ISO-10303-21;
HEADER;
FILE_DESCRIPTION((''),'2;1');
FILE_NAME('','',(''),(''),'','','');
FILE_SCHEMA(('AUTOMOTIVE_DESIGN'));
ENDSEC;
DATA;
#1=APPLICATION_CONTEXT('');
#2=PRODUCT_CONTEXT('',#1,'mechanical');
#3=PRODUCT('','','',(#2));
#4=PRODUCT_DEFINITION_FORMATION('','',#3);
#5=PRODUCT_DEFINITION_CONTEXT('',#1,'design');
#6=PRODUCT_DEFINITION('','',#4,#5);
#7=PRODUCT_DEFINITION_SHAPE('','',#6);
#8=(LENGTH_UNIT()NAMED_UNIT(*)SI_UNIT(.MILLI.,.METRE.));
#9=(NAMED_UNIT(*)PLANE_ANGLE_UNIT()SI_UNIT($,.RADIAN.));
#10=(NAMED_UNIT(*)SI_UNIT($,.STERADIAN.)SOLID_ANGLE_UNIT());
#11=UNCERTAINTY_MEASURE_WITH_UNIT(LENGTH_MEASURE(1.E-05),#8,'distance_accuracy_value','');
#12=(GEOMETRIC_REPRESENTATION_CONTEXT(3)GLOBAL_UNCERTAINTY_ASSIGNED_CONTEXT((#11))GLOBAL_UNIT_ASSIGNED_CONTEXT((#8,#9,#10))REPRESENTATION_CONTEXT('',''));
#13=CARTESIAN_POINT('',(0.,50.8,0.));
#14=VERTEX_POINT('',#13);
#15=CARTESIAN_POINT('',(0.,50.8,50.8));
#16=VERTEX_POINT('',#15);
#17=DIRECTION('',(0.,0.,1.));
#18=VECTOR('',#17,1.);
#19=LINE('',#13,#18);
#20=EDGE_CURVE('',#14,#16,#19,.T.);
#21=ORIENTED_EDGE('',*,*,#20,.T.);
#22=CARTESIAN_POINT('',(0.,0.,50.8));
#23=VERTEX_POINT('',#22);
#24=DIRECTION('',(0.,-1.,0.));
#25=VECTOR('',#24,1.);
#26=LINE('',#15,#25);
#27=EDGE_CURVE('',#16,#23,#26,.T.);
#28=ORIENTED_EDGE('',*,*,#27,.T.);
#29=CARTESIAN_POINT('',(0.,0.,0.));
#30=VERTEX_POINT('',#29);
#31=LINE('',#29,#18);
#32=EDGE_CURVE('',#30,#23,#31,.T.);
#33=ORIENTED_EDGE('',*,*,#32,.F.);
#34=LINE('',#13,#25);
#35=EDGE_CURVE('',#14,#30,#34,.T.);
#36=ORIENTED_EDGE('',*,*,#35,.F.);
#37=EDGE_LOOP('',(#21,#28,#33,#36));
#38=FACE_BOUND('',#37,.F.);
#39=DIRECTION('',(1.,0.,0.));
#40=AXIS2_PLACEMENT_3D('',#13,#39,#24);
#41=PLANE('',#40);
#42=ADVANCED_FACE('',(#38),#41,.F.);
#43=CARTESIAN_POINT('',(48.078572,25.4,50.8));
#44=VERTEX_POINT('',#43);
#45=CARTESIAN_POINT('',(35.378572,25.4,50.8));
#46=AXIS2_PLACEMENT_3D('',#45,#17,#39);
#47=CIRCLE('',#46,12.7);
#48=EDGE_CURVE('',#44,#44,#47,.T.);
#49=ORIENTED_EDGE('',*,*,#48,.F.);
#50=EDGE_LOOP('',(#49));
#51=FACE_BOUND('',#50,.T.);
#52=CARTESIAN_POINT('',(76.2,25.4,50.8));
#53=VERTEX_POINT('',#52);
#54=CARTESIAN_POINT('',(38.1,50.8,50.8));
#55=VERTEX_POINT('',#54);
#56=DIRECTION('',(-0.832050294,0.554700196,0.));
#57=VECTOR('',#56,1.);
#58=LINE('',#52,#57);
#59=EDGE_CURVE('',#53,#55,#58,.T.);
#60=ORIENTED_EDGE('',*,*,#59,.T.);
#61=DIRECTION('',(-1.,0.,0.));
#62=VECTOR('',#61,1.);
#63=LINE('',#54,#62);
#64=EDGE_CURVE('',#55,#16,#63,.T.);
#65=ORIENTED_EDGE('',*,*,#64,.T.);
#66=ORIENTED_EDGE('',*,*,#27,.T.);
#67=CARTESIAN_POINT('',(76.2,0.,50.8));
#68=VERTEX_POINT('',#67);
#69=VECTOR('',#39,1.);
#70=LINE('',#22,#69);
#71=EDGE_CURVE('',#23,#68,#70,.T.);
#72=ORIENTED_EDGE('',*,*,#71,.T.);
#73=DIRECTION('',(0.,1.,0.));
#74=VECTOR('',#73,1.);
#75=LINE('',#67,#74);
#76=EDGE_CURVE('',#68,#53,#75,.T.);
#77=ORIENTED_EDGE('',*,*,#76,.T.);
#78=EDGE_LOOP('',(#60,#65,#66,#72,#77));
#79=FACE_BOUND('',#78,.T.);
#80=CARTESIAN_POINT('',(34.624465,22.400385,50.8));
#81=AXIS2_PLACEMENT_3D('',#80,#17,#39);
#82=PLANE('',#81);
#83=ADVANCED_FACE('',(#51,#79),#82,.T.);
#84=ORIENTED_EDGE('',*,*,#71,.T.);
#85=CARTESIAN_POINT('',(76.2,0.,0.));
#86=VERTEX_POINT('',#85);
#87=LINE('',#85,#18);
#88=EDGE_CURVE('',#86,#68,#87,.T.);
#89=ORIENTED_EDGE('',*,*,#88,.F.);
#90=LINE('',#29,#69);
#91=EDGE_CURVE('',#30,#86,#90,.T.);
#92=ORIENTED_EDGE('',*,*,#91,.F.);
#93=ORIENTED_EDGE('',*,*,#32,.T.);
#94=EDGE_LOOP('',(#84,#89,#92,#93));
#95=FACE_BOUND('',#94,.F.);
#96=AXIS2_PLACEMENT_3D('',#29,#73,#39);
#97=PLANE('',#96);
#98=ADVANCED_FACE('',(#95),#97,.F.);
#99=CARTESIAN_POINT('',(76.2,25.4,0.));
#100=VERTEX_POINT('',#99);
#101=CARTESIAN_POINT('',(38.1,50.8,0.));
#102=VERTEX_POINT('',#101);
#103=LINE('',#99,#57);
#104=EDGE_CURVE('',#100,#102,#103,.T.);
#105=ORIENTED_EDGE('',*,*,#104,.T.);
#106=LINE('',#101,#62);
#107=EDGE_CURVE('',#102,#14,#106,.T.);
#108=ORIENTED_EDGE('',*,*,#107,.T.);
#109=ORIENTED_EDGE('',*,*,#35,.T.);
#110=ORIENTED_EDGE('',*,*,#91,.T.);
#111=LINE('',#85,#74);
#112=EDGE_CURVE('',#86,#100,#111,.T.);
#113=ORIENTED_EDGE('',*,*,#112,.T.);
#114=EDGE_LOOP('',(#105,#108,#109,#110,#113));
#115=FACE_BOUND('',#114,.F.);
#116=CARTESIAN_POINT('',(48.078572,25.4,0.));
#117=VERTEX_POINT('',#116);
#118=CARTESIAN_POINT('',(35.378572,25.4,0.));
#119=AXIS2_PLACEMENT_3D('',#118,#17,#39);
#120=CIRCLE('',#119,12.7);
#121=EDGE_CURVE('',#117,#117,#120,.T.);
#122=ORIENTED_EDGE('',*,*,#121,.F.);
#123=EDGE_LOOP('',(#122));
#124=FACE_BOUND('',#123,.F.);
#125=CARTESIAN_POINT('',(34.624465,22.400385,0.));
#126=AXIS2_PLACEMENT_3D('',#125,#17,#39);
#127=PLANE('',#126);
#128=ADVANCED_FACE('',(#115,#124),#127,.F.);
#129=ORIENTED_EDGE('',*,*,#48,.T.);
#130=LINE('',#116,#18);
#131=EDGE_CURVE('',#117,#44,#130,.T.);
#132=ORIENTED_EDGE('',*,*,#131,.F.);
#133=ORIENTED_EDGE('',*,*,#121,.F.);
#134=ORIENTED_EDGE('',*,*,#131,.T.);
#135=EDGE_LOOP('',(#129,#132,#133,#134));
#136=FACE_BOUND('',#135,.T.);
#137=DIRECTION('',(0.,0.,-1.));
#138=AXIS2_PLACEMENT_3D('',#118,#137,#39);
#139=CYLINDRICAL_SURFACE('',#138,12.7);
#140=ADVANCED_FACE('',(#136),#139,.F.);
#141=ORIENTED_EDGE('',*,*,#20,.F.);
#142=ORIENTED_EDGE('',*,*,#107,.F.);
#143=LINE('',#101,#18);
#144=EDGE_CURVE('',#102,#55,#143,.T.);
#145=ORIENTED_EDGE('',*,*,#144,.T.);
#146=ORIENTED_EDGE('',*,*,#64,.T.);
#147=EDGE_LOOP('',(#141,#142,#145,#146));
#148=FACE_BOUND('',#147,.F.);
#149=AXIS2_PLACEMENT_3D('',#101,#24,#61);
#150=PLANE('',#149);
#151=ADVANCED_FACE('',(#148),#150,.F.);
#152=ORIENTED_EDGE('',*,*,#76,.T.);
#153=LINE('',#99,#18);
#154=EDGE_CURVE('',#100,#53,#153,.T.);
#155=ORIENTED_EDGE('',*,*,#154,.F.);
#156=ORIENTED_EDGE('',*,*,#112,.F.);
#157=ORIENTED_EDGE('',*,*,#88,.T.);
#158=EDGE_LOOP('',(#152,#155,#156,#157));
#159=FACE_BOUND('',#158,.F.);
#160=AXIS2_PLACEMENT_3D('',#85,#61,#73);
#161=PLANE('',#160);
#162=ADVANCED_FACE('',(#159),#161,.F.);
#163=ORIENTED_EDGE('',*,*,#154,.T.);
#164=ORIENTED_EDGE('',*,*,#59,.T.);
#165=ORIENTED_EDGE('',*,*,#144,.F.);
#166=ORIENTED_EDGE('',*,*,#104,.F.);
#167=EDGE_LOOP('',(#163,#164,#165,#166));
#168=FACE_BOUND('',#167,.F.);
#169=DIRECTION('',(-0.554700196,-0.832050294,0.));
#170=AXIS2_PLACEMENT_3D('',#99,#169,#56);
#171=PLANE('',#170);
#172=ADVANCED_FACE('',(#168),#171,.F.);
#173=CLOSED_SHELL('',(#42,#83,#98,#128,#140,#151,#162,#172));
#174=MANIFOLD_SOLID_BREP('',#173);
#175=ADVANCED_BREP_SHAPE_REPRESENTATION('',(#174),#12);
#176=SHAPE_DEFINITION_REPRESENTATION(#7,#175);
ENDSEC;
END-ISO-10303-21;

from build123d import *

# Parameters (mm, degrees)
F2_DEPTH = 50.8
F1_R     = 12.7
F3_DEPTH = 50.8


with BuildPart() as f2:
    # F0 (on Top) → F2 (new body)
    with BuildSketch(Plane.XY):
        Polygon((0, 50.8), (0, 0), (76.2, 0), (76.2, 25.4), (38.1, 50.8), align=None)
    extrude(amount=F2_DEPTH)

    # F1 (on Top) → F3 (cut)
    with BuildSketch(Plane.XY):
        with Locations((35.378572, 25.4)):
            Circle(F1_R)
    extrude(amount=F3_DEPTH, mode=Mode.SUBTRACT)


solid = f2.part
